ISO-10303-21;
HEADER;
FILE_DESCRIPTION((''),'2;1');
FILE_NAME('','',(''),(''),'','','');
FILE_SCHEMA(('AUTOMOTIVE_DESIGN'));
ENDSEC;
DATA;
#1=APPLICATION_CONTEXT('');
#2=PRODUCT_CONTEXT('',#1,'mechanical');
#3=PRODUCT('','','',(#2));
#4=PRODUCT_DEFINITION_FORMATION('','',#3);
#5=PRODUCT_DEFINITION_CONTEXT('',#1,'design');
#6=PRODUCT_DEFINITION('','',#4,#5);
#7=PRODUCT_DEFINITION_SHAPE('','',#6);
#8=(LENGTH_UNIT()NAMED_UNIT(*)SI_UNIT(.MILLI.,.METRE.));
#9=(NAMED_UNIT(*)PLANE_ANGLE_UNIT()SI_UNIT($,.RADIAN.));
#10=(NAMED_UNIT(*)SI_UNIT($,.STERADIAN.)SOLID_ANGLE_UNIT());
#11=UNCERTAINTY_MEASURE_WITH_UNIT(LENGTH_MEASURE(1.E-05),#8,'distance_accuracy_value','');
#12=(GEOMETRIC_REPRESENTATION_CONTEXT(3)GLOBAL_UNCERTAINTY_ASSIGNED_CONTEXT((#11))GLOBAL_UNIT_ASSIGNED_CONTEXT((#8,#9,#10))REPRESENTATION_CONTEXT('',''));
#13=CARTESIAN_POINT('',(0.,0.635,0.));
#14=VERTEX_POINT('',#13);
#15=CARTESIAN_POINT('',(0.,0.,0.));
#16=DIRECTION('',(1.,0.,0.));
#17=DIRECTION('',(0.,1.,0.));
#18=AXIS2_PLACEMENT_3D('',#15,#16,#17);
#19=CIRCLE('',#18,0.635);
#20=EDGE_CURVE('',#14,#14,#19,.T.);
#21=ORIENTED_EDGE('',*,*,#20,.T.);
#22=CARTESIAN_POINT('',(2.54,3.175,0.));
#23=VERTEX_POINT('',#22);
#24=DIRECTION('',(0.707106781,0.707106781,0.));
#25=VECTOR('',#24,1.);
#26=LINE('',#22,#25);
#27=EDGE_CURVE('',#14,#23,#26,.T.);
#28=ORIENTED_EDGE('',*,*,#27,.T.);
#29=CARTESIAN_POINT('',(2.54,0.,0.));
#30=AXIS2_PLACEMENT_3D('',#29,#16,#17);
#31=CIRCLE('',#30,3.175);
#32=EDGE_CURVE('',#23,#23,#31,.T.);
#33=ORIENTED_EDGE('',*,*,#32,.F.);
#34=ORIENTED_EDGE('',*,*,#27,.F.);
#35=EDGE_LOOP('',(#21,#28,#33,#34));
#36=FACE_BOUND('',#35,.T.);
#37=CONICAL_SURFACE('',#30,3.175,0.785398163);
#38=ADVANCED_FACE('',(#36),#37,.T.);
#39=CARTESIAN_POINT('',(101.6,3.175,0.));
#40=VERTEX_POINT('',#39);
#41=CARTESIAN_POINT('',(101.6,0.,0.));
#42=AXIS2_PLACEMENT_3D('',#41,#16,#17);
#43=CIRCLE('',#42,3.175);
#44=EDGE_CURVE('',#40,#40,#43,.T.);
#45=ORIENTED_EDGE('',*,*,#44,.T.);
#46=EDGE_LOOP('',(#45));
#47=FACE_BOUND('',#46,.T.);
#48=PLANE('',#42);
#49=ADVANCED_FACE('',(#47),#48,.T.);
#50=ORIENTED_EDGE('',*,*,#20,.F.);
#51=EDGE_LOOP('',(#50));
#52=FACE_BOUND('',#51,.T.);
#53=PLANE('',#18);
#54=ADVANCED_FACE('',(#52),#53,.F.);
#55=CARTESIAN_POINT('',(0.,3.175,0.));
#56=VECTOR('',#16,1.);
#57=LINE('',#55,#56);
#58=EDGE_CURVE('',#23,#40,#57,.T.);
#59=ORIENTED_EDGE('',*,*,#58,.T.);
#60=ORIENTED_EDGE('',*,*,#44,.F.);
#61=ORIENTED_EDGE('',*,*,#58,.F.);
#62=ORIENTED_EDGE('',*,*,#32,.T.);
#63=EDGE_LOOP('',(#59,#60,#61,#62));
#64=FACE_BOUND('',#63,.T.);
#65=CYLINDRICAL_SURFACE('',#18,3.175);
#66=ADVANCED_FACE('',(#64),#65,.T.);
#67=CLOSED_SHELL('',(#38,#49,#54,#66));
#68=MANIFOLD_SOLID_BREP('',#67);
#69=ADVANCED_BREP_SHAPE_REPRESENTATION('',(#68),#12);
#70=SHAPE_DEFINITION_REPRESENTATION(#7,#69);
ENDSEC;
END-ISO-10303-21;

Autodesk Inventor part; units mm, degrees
ref_plane "Start Plane" through (0, 0, 0) normal (1, 0, 0) x (0, 1, 0)
ref_plane "XZ Plane" through (0, 0, 0) normal (0, 1, 0) x (-1, 0, 0)
ref_plane "XY Plane" through (0, 0, 0) normal (0, 0, 1) x (1, 0, 0)
sketch "Main Sketch" plane through (0, 0, 0) normal (0, 0, 1) x (1, 0, 0)
  line L0 (0, 0) -> (101.6, 0)
  line L1 (0, 0) -> (0, 3.175)
  line L2 (101.6, 3.175) -> (101.6, 0)
  line L3 (0, 3.175) -> (101.6, 3.175)
  dimension "d3" = 6.35
revolve "Revolution1" add sketch "Main Sketch" angle 360 about axis through (0, 0, 0) along (1, 0, 0)
chamfer "Chamfer2" distance 2.54 angle 45 1 edges at (0, -3.175, 0) measured on face at (33.8667, 3.1647, -0.2555)
properties part number "Shaft" material "Steel"
